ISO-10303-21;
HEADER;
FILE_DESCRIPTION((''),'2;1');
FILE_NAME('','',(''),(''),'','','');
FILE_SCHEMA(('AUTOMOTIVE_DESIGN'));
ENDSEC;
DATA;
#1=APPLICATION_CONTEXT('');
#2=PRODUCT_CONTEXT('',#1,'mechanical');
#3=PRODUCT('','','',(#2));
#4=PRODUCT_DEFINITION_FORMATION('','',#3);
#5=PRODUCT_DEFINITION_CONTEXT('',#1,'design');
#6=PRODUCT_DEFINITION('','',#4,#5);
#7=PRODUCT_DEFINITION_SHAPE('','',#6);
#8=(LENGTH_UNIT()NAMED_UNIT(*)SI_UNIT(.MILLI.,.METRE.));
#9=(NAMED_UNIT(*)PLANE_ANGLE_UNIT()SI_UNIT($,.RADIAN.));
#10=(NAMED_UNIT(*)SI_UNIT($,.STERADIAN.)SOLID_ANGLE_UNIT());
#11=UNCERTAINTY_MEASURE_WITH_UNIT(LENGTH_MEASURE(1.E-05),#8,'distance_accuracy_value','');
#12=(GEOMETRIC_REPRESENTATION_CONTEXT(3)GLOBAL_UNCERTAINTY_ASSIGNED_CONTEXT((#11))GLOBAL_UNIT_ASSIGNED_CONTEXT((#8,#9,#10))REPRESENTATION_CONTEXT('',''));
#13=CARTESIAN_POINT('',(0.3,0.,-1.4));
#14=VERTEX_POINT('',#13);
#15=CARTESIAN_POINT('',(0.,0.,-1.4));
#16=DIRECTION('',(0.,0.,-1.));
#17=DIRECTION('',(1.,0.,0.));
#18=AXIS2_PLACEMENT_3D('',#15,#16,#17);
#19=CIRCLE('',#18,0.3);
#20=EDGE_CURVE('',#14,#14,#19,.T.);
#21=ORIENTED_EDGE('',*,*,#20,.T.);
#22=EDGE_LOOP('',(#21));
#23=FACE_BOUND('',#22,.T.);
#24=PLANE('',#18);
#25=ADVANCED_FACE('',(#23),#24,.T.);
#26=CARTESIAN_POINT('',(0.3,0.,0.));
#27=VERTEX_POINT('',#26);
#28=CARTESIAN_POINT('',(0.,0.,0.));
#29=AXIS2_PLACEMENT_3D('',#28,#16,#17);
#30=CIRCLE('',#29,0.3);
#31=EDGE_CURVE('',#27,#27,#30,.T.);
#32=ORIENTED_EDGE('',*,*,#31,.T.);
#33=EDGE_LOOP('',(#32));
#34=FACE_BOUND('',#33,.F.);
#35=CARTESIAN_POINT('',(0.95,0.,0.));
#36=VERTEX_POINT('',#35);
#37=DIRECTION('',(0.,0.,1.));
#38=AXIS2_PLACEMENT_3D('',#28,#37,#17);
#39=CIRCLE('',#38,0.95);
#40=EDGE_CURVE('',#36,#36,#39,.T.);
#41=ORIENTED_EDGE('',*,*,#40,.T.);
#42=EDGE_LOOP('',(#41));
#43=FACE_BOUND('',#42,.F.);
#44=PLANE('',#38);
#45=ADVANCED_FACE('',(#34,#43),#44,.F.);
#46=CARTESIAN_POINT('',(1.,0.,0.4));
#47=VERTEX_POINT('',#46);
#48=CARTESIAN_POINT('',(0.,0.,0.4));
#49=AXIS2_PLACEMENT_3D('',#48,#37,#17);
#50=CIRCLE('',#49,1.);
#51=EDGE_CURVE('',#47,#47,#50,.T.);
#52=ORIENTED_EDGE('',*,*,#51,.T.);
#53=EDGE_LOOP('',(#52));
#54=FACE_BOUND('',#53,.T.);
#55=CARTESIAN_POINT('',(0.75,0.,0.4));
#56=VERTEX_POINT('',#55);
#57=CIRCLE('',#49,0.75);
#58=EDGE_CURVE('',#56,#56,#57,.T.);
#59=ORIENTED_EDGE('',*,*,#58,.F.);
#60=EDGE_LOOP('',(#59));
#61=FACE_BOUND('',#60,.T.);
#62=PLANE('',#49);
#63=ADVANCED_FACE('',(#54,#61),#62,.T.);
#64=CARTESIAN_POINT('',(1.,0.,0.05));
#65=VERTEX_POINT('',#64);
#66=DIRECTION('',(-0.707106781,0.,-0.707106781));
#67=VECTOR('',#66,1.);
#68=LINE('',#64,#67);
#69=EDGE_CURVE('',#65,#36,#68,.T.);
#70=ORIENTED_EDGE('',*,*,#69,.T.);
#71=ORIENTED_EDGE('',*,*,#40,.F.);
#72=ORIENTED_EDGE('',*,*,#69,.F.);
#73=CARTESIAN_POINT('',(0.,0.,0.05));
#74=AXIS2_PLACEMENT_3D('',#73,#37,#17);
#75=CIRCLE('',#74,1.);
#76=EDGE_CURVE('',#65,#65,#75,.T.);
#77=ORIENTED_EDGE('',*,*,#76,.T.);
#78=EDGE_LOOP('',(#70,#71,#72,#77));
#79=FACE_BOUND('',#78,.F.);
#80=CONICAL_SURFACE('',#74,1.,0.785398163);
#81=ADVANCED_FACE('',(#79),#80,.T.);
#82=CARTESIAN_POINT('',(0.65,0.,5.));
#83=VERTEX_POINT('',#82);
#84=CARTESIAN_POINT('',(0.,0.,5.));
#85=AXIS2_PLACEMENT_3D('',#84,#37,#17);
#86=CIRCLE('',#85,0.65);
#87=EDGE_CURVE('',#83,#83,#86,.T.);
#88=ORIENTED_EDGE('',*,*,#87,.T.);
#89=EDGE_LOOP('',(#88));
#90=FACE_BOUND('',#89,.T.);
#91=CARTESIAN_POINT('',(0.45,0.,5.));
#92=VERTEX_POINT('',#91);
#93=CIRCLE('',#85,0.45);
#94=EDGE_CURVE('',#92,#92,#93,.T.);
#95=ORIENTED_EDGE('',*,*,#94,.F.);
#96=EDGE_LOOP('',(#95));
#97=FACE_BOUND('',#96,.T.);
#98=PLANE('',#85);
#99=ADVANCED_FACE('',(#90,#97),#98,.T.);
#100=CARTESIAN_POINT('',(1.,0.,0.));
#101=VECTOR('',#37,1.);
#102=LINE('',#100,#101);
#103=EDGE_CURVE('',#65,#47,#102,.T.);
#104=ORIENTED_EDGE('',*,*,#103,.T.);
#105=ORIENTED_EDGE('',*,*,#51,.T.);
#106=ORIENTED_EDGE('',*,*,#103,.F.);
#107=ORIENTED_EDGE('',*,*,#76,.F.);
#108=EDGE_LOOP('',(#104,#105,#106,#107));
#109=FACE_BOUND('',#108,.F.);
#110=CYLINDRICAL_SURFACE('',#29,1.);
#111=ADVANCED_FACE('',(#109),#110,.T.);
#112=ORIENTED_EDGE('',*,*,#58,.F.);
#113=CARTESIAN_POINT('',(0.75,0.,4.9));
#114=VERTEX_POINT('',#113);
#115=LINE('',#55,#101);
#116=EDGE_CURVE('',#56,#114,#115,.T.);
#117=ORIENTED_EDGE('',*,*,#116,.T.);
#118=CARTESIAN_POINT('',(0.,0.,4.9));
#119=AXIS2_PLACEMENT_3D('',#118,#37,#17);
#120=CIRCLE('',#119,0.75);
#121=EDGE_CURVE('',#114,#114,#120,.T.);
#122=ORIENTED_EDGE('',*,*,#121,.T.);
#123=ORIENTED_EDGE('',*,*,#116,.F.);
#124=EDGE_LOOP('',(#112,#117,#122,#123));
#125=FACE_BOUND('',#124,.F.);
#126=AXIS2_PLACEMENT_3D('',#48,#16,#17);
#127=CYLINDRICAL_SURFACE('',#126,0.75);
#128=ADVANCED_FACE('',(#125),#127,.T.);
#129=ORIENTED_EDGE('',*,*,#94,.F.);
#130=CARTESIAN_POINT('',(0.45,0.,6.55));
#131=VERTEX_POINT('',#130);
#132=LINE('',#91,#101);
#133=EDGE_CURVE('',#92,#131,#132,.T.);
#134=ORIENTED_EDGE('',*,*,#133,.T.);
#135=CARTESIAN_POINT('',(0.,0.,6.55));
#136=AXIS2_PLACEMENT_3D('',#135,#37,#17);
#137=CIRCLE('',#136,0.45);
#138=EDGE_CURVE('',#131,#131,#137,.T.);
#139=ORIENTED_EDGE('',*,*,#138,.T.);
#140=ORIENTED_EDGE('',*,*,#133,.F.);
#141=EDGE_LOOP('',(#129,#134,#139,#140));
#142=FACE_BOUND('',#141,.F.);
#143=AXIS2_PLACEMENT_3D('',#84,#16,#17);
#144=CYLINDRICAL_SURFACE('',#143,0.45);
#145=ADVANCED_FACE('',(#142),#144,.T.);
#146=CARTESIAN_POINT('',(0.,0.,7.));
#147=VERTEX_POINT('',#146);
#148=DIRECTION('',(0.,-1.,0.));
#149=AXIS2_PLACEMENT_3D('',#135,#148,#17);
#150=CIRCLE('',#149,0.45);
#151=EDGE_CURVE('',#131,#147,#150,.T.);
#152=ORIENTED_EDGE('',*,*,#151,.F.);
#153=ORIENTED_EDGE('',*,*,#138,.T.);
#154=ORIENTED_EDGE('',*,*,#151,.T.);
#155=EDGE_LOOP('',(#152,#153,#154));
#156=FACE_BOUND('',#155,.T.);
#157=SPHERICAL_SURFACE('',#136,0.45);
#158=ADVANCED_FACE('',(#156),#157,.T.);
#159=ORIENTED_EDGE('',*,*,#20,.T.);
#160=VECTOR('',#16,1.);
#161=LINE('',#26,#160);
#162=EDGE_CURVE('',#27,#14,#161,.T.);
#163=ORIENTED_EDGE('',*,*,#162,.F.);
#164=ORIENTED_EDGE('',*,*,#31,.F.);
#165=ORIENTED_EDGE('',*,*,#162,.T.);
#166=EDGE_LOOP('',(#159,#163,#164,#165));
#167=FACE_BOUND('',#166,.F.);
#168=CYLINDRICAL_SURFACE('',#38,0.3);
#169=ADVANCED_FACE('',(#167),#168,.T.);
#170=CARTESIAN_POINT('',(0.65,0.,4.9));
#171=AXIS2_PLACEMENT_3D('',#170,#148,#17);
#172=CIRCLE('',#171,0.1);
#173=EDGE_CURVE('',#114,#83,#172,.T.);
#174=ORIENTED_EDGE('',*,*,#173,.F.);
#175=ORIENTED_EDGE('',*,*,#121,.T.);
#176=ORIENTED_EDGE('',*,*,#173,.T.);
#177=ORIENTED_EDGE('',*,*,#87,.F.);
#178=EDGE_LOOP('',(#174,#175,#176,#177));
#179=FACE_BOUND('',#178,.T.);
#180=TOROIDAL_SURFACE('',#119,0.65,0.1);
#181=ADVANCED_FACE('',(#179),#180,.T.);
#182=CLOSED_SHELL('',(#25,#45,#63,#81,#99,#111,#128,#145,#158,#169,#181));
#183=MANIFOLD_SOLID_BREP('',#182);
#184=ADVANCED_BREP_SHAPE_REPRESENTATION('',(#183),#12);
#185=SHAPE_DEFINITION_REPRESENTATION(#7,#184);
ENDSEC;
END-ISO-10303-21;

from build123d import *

# Parameters (mm, degrees)
SKETCH_R     = 1
PAD_DEPTH    = 0.4
SKETCH001_R  = 0.75
PAD001_DEPTH = 4.6
SKETCH002_R  = 0.45
PAD002_DEPTH = 2
SKETCH003_R  = 0.3
PAD003_DEPTH = 1.4
CHAMFER_SIZE = 0.05
FILLET_R     = 0.1
FILLET001_R  = 0.45


with BuildPart() as part:
    # Sketch → Pad (new body)
    with BuildSketch(Plane.XY):
        Circle(SKETCH_R)
    extrude(amount=PAD_DEPTH)

    # Sketch001 (on Face3 of Pad) → Pad001 (join)
    with BuildSketch(Plane.XY.offset(0.4)):
        Circle(SKETCH001_R)
    extrude(amount=PAD001_DEPTH)

    # Sketch002 (on Face5 of Pad001) → Pad002 (join)
    with BuildSketch(Plane.XY.offset(5)):
        Circle(SKETCH002_R)
    extrude(amount=PAD002_DEPTH)

    # Sketch003 (on Face2 of Pad002) → Pad003 (join)
    with BuildSketch(Plane(origin=(0, 0, 0), x_dir=(1, 0, 0), z_dir=(0, 0, -1))):
        Circle(SKETCH003_R)
    extrude(amount=PAD003_DEPTH)

    # Chamfer
    chamfer_edges = [part.edges().sort_by_distance(p)[0] for p in [
        (-1, 0, 0),
    ]]
    chamfer(chamfer_edges, length=CHAMFER_SIZE)

    # Fillet
    fillet_edges = [part.edges().sort_by_distance(p)[0] for p in [
        (-0.75, 0, 5),
    ]]
    fillet(fillet_edges, radius=FILLET_R)

    # Fillet001
    fillet001_edges = [part.edges().sort_by_distance(p)[0] for p in [
        (-0.45, 0, 7),
    ]]
    fillet(fillet001_edges, radius=FILLET001_R)


solid = part.part
